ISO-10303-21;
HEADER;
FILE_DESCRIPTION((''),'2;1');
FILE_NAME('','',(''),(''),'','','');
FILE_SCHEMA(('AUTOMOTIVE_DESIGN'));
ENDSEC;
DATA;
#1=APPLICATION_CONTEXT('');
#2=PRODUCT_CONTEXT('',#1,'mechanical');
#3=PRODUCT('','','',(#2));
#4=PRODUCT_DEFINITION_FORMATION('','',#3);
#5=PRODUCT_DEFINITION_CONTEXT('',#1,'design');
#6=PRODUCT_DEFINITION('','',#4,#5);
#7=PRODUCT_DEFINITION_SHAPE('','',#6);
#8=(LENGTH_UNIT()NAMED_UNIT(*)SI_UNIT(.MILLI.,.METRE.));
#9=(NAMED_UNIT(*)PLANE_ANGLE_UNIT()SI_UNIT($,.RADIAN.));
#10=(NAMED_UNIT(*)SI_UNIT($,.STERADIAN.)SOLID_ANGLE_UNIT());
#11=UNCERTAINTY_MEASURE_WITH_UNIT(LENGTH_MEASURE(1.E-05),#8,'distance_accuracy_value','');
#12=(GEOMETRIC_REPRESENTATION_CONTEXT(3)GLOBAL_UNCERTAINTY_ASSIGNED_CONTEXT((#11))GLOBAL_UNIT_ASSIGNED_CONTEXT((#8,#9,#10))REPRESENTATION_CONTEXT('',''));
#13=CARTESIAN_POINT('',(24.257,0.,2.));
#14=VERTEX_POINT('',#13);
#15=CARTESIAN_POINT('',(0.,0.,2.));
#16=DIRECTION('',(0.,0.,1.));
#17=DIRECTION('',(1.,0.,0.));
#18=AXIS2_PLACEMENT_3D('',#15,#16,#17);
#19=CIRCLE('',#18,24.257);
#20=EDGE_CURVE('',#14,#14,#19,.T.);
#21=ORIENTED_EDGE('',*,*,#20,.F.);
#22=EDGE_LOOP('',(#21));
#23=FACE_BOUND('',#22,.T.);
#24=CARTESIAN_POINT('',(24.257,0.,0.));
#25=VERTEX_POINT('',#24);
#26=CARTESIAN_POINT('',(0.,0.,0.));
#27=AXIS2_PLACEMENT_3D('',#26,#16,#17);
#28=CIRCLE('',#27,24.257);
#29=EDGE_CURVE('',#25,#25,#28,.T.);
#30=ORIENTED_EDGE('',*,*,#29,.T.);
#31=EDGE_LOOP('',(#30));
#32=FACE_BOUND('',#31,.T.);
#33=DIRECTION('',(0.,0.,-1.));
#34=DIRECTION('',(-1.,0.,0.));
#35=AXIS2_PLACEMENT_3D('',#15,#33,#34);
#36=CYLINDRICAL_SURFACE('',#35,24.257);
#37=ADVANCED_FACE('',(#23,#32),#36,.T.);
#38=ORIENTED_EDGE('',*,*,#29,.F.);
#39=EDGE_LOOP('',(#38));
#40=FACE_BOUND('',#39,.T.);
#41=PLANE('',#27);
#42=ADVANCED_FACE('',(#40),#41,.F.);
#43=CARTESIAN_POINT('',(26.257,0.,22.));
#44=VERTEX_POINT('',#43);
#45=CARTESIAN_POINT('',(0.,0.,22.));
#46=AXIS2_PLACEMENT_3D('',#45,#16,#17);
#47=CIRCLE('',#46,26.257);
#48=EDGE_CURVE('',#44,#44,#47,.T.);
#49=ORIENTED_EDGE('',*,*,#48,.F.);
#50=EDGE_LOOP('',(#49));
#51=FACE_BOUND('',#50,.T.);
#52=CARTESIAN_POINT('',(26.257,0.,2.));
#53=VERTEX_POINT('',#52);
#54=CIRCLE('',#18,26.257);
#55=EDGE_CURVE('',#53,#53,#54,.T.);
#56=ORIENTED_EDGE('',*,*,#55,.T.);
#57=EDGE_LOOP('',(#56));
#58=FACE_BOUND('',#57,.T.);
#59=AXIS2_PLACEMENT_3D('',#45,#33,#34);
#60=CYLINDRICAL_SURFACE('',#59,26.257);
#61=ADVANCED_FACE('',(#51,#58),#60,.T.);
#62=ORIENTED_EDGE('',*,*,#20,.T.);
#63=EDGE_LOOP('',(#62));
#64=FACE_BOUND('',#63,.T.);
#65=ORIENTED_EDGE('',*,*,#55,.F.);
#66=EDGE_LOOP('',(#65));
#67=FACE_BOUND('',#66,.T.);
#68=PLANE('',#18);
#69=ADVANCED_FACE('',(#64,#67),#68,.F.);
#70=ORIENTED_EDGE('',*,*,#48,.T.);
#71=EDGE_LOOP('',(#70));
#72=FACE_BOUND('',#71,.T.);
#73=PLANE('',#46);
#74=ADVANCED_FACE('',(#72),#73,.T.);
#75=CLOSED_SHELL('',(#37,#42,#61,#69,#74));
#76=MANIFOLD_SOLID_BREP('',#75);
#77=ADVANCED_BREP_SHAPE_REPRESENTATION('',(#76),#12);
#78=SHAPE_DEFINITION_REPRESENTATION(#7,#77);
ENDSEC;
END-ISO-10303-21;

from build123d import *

# Parameters (mm, degrees)
SKETCH1_R           = 24.257
BOSS_EXTRUDE1_DEPTH = 2
SKETCH2_R           = 26.257
BOSS_EXTRUDE2_DEPTH = 20


with BuildPart() as part:
    # Sketch1 → Boss-Extrude1 (new body)
    with BuildSketch(Plane.XY):
        Circle(SKETCH1_R)
    extrude(amount=BOSS_EXTRUDE1_DEPTH)

    # Sketch2 → Boss-Extrude2 (add)
    with BuildSketch(Plane.XY.offset(2)):
        Circle(SKETCH2_R)
    extrude(amount=BOSS_EXTRUDE2_DEPTH)


solid = part.part
